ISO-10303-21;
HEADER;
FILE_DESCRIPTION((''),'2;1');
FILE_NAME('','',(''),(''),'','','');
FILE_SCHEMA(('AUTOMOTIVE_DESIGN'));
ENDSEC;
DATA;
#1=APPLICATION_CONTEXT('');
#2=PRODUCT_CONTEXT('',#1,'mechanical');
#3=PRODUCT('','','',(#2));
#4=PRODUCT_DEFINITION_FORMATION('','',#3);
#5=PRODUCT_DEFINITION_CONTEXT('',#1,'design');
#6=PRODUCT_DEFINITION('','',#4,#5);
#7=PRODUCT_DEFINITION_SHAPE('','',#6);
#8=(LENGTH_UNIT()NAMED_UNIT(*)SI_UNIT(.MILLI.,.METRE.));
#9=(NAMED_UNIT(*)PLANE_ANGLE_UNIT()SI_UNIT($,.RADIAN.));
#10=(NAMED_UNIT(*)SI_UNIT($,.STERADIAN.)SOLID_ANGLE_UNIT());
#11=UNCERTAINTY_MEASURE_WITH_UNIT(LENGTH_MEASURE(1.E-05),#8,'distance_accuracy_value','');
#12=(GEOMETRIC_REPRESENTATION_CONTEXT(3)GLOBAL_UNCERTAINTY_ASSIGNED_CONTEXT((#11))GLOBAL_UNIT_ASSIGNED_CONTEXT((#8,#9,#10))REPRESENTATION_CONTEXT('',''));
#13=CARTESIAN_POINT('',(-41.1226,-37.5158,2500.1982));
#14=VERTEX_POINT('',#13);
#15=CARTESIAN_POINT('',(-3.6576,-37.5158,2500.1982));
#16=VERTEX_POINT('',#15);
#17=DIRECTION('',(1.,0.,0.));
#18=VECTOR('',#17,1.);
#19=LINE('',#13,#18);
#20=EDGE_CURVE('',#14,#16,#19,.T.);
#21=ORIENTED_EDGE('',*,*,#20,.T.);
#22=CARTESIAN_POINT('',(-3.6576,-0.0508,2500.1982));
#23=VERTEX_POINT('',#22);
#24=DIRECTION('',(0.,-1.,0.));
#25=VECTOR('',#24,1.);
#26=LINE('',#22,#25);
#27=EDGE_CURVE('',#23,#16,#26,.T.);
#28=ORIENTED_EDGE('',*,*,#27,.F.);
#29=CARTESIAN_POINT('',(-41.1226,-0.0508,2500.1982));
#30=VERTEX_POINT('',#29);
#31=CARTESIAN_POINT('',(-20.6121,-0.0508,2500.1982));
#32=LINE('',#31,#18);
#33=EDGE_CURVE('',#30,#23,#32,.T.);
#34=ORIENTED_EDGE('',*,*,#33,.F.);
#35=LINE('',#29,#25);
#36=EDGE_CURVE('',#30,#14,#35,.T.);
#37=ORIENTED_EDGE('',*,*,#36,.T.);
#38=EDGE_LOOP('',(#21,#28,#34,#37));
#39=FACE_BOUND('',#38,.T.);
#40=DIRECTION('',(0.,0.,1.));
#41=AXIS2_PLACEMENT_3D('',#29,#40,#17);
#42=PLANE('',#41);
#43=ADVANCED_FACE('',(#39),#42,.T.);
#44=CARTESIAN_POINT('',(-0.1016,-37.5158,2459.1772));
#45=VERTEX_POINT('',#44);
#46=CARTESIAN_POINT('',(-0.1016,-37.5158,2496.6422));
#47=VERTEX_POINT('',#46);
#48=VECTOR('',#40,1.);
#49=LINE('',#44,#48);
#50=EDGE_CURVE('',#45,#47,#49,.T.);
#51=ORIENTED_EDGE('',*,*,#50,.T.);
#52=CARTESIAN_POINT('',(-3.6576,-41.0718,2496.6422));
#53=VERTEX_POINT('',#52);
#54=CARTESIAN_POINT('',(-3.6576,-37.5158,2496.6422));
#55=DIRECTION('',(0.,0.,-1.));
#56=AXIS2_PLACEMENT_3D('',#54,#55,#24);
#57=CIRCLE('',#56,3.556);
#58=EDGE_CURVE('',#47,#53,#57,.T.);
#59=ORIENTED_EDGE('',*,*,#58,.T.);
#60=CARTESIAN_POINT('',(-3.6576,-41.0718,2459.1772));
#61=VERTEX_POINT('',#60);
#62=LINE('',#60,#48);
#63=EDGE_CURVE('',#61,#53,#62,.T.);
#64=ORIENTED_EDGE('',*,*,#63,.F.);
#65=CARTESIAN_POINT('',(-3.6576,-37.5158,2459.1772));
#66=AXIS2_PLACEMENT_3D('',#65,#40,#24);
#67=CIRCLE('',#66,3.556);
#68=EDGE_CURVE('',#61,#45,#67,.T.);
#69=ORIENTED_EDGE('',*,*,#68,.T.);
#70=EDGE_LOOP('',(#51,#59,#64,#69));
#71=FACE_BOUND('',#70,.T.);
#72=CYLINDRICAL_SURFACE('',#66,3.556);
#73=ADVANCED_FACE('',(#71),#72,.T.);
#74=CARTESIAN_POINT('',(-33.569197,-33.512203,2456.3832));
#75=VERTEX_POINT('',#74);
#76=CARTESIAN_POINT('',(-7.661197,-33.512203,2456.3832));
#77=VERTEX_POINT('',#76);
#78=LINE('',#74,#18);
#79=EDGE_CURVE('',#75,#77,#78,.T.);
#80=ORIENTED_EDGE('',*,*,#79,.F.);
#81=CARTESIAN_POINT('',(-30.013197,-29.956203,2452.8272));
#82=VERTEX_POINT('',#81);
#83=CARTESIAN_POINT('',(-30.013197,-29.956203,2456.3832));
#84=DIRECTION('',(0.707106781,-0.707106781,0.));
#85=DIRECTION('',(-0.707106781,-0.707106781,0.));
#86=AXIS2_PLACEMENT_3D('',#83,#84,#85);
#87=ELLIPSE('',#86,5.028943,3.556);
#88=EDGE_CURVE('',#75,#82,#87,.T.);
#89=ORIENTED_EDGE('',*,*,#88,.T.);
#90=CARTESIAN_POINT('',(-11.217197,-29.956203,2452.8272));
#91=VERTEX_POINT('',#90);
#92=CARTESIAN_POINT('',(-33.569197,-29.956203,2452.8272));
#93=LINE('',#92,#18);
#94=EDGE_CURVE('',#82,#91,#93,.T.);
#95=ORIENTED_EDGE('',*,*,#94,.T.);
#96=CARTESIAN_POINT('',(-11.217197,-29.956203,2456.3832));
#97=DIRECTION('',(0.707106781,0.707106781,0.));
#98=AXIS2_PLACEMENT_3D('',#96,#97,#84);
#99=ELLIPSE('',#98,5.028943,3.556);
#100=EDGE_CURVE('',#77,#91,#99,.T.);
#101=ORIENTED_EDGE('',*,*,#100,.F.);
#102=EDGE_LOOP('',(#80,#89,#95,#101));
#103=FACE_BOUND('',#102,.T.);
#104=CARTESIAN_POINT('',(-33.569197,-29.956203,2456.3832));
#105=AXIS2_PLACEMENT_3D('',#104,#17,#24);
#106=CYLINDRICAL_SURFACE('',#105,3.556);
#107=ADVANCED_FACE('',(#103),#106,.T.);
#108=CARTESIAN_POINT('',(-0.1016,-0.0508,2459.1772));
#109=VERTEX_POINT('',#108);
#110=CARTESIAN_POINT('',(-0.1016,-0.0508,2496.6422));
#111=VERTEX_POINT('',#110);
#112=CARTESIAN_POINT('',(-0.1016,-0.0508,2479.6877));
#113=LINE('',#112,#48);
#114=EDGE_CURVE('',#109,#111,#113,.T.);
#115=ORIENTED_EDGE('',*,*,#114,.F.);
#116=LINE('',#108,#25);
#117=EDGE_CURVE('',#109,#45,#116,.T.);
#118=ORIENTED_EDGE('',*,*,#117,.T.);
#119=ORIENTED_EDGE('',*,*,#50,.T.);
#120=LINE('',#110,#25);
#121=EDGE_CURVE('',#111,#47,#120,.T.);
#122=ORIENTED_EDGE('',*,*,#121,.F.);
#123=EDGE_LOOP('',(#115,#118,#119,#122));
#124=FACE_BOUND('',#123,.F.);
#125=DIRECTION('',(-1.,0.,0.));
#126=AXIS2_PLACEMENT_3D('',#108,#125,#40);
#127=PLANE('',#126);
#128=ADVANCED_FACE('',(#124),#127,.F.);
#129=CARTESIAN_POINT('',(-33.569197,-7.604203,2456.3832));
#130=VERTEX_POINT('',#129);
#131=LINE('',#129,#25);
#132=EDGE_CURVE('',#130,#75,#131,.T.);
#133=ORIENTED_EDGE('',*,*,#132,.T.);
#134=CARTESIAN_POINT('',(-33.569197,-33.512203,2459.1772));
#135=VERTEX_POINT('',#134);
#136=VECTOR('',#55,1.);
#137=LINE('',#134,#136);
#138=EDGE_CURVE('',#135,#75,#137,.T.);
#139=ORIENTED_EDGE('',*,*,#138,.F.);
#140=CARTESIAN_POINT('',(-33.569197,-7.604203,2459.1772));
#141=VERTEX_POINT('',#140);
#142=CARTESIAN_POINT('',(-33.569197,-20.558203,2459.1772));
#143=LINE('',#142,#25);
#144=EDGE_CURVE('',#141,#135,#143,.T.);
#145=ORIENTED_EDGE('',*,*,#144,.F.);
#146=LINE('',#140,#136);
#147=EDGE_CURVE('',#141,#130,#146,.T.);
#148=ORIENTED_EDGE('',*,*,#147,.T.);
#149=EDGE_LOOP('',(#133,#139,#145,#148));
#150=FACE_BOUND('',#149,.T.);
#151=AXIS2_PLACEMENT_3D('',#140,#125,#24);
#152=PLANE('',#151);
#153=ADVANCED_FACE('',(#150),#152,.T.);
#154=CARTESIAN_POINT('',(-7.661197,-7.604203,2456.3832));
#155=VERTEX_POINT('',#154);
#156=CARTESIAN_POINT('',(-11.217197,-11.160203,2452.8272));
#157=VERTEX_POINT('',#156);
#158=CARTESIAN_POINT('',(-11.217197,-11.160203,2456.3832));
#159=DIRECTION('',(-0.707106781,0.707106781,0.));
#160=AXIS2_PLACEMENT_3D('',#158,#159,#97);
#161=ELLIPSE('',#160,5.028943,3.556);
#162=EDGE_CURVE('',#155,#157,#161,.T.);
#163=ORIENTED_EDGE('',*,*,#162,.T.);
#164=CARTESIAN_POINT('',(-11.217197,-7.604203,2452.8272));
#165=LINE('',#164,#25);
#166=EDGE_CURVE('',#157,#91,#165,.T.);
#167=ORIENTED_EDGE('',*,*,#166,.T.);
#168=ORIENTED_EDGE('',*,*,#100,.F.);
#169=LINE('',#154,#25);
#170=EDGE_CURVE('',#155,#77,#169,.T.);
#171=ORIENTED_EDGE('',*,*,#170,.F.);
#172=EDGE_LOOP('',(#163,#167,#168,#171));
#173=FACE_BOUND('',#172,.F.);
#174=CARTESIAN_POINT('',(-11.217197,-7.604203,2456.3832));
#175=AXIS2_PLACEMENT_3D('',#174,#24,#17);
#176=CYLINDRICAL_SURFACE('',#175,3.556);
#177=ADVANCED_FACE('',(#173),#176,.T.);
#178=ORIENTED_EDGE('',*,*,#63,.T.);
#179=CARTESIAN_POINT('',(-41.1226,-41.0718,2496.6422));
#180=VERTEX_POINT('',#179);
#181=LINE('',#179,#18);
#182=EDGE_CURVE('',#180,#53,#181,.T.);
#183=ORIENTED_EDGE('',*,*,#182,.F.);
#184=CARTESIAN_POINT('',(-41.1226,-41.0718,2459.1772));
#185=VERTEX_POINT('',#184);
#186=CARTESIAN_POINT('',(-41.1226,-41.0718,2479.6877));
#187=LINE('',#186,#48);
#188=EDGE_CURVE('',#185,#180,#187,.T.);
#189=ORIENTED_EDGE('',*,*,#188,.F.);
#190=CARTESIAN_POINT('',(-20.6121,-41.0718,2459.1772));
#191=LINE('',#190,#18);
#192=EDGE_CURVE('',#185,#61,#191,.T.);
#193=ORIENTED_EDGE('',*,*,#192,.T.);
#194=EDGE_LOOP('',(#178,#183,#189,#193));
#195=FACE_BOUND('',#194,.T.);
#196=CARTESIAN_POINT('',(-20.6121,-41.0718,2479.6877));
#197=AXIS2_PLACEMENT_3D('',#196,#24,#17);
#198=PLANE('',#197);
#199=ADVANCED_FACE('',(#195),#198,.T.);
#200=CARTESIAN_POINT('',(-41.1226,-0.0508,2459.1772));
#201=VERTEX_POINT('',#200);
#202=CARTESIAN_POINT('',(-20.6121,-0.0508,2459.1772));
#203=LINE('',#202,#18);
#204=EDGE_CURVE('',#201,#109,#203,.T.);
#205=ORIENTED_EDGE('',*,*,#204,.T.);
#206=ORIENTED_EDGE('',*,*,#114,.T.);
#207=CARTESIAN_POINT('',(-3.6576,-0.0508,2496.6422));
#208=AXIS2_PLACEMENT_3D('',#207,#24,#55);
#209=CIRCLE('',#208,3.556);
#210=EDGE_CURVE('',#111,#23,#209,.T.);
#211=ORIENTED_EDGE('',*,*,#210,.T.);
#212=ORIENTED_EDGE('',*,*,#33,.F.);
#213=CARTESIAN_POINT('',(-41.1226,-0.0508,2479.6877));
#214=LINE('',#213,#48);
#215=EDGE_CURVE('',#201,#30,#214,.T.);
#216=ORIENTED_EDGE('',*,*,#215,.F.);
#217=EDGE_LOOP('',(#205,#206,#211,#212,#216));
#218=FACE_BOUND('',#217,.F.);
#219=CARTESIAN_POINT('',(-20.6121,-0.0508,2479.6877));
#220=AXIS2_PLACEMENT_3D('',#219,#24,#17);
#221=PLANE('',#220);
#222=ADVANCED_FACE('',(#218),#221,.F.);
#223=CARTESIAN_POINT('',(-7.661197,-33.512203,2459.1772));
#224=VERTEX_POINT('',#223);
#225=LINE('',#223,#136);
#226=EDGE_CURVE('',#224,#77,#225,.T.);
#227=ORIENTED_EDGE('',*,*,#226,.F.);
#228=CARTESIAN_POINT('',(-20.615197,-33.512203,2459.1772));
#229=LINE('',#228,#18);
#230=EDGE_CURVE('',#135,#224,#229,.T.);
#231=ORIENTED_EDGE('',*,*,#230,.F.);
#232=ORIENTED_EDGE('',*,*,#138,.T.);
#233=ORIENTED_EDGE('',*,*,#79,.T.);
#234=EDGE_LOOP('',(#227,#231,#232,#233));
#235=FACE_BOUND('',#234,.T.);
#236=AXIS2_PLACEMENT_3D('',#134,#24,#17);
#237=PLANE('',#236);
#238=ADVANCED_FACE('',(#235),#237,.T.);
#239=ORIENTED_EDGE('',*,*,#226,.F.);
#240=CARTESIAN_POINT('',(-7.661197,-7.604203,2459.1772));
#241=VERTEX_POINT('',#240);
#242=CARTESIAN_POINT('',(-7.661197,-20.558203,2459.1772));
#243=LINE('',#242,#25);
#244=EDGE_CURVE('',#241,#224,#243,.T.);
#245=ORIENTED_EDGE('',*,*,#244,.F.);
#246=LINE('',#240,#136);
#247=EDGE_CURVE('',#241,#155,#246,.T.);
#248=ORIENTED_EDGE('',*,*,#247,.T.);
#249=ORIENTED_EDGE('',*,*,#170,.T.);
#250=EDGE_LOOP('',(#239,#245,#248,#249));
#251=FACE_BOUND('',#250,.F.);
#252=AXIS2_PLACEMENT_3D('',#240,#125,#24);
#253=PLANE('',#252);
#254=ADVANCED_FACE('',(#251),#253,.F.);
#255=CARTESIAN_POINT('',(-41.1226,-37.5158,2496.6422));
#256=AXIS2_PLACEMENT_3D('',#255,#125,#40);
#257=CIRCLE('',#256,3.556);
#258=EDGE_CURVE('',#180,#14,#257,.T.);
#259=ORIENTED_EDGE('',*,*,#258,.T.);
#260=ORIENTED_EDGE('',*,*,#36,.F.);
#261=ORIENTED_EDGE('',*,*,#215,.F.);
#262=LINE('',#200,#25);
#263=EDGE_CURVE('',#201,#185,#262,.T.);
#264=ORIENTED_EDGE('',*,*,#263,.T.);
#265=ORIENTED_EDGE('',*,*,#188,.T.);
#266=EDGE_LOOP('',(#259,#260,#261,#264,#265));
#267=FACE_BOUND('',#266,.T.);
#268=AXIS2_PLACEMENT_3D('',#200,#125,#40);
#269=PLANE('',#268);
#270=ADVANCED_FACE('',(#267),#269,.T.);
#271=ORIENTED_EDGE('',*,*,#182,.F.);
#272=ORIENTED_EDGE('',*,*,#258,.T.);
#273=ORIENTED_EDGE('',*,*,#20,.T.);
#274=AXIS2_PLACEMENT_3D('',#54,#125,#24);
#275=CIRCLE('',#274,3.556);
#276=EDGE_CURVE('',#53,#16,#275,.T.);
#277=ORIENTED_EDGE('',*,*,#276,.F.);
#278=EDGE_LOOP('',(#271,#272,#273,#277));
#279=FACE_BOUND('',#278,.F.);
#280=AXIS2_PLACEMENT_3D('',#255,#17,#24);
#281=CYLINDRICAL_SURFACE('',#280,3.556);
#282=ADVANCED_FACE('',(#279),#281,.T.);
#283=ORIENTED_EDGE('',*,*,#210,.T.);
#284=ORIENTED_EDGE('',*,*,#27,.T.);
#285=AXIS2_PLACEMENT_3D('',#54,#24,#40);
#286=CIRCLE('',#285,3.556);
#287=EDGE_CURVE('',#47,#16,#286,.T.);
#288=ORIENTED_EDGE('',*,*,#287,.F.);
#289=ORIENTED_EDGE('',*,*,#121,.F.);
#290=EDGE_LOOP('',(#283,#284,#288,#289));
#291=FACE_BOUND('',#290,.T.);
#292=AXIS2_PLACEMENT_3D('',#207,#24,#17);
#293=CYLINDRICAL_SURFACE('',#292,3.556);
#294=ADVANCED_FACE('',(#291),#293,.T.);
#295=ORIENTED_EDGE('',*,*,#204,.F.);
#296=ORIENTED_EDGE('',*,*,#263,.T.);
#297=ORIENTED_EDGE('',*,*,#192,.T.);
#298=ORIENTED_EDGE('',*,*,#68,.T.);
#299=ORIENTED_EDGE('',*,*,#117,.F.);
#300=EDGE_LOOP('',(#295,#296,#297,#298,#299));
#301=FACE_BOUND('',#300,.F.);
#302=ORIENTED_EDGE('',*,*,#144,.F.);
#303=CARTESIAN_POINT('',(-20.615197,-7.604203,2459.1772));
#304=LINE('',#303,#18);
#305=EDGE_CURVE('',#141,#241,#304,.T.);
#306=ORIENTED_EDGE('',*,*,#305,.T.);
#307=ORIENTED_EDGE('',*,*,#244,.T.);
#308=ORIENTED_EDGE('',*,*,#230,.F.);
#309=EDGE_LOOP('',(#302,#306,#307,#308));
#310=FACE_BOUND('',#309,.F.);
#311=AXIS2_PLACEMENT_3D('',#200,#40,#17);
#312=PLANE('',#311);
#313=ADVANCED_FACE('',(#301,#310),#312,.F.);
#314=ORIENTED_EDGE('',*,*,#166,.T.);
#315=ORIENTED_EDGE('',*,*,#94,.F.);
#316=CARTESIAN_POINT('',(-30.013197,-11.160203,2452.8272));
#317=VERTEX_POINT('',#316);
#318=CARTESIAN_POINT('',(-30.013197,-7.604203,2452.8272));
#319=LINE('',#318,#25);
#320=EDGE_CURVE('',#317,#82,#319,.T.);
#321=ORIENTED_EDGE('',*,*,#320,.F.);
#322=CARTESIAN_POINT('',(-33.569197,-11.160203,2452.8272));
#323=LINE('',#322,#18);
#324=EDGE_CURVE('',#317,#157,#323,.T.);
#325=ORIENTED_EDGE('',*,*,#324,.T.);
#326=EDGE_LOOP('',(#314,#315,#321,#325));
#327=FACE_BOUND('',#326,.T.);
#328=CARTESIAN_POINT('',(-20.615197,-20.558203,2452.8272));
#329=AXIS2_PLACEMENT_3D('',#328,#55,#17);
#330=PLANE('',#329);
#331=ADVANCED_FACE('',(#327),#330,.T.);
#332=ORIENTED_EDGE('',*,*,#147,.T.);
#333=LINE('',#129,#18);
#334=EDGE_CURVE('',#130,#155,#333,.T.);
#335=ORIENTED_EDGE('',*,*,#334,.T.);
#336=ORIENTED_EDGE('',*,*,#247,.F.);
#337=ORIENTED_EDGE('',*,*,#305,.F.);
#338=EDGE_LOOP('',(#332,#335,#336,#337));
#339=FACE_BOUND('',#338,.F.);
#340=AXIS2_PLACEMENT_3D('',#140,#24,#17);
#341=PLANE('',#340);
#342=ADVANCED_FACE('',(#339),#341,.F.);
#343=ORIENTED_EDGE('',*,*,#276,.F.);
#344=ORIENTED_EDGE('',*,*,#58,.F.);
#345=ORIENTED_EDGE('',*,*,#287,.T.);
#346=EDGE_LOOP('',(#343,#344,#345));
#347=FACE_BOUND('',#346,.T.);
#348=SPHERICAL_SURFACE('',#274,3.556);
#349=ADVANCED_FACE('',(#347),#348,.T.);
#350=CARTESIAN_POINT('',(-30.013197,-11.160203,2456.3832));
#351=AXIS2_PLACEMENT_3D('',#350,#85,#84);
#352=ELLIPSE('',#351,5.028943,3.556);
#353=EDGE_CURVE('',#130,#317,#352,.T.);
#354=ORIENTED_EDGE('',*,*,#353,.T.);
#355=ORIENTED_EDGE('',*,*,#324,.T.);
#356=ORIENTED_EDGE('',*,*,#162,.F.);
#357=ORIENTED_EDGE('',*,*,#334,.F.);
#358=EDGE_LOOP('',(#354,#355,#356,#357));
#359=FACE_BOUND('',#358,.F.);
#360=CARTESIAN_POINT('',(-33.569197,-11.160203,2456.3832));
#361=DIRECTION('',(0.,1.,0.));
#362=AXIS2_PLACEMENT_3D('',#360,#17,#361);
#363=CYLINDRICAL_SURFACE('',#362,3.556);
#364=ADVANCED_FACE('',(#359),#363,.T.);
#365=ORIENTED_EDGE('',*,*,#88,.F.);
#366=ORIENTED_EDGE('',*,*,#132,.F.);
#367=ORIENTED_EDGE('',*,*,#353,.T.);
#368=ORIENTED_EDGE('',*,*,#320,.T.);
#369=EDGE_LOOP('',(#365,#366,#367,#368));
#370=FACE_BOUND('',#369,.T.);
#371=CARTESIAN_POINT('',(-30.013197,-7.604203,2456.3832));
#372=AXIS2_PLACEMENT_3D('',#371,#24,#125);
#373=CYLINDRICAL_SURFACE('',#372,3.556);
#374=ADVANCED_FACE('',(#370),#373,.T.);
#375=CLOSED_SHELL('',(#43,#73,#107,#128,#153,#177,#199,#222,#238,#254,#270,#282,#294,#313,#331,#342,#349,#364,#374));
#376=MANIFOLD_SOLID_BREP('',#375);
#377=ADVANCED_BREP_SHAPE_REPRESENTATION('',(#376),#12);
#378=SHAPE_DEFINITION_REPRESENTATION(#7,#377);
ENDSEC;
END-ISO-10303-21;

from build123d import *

# Parameters (mm, degrees)
SKETCH055_W  = 41.021
SKETCH055_H  = 41.021
PAD045_DEPTH = 41.021
SKETCH056_W  = 25.908
SKETCH056_H  = 25.908
PAD046_DEPTH = 6.35
FILLET_R     = 3.556
FILLET001_R  = 3.556


with BuildPart() as part:
    # Sketch055 → Pad045 (new body)
    with BuildSketch(Plane.XZ):
        with Locations((20.5105, 20.5105)):
            Rectangle(SKETCH055_W, SKETCH055_H)
    extrude(amount=PAD045_DEPTH)

    # Sketch056 (on Face3 of Pad045) → Pad046 (join)
    with BuildSketch(Plane(origin=(0, 0, 0), x_dir=(1, 0, 0), z_dir=(0, 0, -1))):
        with Locations((20.507403, 20.507403)):
            Rectangle(SKETCH056_W, SKETCH056_H)
    extrude(amount=PAD046_DEPTH)

    # Fillet
    fillet_edges = [part.edges().sort_by_distance(p)[0] for p in [
        (7.553403, -20.507403, -6.35),
        (20.507403, -33.461403, -6.35),
        (20.507403, -7.553403, -6.35),
        (33.461403, -20.507403, -6.35),
    ]]
    fillet(fillet_edges, radius=FILLET_R)

    # Fillet001
    fillet001_edges = [part.edges().sort_by_distance(p)[0] for p in [
        (20.5105, -41.021, 41.021),
        (41.021, -41.021, 20.5105),
        (41.021, -20.5105, 41.021),
    ]]
    fillet(fillet001_edges, radius=FILLET001_R)


with BuildPart() as part_1:
    # Body039 placement: moved
    add(part.part.moved(Location((-41.1226, -0.0508, 2459.1772))))


solid = part_1.part
